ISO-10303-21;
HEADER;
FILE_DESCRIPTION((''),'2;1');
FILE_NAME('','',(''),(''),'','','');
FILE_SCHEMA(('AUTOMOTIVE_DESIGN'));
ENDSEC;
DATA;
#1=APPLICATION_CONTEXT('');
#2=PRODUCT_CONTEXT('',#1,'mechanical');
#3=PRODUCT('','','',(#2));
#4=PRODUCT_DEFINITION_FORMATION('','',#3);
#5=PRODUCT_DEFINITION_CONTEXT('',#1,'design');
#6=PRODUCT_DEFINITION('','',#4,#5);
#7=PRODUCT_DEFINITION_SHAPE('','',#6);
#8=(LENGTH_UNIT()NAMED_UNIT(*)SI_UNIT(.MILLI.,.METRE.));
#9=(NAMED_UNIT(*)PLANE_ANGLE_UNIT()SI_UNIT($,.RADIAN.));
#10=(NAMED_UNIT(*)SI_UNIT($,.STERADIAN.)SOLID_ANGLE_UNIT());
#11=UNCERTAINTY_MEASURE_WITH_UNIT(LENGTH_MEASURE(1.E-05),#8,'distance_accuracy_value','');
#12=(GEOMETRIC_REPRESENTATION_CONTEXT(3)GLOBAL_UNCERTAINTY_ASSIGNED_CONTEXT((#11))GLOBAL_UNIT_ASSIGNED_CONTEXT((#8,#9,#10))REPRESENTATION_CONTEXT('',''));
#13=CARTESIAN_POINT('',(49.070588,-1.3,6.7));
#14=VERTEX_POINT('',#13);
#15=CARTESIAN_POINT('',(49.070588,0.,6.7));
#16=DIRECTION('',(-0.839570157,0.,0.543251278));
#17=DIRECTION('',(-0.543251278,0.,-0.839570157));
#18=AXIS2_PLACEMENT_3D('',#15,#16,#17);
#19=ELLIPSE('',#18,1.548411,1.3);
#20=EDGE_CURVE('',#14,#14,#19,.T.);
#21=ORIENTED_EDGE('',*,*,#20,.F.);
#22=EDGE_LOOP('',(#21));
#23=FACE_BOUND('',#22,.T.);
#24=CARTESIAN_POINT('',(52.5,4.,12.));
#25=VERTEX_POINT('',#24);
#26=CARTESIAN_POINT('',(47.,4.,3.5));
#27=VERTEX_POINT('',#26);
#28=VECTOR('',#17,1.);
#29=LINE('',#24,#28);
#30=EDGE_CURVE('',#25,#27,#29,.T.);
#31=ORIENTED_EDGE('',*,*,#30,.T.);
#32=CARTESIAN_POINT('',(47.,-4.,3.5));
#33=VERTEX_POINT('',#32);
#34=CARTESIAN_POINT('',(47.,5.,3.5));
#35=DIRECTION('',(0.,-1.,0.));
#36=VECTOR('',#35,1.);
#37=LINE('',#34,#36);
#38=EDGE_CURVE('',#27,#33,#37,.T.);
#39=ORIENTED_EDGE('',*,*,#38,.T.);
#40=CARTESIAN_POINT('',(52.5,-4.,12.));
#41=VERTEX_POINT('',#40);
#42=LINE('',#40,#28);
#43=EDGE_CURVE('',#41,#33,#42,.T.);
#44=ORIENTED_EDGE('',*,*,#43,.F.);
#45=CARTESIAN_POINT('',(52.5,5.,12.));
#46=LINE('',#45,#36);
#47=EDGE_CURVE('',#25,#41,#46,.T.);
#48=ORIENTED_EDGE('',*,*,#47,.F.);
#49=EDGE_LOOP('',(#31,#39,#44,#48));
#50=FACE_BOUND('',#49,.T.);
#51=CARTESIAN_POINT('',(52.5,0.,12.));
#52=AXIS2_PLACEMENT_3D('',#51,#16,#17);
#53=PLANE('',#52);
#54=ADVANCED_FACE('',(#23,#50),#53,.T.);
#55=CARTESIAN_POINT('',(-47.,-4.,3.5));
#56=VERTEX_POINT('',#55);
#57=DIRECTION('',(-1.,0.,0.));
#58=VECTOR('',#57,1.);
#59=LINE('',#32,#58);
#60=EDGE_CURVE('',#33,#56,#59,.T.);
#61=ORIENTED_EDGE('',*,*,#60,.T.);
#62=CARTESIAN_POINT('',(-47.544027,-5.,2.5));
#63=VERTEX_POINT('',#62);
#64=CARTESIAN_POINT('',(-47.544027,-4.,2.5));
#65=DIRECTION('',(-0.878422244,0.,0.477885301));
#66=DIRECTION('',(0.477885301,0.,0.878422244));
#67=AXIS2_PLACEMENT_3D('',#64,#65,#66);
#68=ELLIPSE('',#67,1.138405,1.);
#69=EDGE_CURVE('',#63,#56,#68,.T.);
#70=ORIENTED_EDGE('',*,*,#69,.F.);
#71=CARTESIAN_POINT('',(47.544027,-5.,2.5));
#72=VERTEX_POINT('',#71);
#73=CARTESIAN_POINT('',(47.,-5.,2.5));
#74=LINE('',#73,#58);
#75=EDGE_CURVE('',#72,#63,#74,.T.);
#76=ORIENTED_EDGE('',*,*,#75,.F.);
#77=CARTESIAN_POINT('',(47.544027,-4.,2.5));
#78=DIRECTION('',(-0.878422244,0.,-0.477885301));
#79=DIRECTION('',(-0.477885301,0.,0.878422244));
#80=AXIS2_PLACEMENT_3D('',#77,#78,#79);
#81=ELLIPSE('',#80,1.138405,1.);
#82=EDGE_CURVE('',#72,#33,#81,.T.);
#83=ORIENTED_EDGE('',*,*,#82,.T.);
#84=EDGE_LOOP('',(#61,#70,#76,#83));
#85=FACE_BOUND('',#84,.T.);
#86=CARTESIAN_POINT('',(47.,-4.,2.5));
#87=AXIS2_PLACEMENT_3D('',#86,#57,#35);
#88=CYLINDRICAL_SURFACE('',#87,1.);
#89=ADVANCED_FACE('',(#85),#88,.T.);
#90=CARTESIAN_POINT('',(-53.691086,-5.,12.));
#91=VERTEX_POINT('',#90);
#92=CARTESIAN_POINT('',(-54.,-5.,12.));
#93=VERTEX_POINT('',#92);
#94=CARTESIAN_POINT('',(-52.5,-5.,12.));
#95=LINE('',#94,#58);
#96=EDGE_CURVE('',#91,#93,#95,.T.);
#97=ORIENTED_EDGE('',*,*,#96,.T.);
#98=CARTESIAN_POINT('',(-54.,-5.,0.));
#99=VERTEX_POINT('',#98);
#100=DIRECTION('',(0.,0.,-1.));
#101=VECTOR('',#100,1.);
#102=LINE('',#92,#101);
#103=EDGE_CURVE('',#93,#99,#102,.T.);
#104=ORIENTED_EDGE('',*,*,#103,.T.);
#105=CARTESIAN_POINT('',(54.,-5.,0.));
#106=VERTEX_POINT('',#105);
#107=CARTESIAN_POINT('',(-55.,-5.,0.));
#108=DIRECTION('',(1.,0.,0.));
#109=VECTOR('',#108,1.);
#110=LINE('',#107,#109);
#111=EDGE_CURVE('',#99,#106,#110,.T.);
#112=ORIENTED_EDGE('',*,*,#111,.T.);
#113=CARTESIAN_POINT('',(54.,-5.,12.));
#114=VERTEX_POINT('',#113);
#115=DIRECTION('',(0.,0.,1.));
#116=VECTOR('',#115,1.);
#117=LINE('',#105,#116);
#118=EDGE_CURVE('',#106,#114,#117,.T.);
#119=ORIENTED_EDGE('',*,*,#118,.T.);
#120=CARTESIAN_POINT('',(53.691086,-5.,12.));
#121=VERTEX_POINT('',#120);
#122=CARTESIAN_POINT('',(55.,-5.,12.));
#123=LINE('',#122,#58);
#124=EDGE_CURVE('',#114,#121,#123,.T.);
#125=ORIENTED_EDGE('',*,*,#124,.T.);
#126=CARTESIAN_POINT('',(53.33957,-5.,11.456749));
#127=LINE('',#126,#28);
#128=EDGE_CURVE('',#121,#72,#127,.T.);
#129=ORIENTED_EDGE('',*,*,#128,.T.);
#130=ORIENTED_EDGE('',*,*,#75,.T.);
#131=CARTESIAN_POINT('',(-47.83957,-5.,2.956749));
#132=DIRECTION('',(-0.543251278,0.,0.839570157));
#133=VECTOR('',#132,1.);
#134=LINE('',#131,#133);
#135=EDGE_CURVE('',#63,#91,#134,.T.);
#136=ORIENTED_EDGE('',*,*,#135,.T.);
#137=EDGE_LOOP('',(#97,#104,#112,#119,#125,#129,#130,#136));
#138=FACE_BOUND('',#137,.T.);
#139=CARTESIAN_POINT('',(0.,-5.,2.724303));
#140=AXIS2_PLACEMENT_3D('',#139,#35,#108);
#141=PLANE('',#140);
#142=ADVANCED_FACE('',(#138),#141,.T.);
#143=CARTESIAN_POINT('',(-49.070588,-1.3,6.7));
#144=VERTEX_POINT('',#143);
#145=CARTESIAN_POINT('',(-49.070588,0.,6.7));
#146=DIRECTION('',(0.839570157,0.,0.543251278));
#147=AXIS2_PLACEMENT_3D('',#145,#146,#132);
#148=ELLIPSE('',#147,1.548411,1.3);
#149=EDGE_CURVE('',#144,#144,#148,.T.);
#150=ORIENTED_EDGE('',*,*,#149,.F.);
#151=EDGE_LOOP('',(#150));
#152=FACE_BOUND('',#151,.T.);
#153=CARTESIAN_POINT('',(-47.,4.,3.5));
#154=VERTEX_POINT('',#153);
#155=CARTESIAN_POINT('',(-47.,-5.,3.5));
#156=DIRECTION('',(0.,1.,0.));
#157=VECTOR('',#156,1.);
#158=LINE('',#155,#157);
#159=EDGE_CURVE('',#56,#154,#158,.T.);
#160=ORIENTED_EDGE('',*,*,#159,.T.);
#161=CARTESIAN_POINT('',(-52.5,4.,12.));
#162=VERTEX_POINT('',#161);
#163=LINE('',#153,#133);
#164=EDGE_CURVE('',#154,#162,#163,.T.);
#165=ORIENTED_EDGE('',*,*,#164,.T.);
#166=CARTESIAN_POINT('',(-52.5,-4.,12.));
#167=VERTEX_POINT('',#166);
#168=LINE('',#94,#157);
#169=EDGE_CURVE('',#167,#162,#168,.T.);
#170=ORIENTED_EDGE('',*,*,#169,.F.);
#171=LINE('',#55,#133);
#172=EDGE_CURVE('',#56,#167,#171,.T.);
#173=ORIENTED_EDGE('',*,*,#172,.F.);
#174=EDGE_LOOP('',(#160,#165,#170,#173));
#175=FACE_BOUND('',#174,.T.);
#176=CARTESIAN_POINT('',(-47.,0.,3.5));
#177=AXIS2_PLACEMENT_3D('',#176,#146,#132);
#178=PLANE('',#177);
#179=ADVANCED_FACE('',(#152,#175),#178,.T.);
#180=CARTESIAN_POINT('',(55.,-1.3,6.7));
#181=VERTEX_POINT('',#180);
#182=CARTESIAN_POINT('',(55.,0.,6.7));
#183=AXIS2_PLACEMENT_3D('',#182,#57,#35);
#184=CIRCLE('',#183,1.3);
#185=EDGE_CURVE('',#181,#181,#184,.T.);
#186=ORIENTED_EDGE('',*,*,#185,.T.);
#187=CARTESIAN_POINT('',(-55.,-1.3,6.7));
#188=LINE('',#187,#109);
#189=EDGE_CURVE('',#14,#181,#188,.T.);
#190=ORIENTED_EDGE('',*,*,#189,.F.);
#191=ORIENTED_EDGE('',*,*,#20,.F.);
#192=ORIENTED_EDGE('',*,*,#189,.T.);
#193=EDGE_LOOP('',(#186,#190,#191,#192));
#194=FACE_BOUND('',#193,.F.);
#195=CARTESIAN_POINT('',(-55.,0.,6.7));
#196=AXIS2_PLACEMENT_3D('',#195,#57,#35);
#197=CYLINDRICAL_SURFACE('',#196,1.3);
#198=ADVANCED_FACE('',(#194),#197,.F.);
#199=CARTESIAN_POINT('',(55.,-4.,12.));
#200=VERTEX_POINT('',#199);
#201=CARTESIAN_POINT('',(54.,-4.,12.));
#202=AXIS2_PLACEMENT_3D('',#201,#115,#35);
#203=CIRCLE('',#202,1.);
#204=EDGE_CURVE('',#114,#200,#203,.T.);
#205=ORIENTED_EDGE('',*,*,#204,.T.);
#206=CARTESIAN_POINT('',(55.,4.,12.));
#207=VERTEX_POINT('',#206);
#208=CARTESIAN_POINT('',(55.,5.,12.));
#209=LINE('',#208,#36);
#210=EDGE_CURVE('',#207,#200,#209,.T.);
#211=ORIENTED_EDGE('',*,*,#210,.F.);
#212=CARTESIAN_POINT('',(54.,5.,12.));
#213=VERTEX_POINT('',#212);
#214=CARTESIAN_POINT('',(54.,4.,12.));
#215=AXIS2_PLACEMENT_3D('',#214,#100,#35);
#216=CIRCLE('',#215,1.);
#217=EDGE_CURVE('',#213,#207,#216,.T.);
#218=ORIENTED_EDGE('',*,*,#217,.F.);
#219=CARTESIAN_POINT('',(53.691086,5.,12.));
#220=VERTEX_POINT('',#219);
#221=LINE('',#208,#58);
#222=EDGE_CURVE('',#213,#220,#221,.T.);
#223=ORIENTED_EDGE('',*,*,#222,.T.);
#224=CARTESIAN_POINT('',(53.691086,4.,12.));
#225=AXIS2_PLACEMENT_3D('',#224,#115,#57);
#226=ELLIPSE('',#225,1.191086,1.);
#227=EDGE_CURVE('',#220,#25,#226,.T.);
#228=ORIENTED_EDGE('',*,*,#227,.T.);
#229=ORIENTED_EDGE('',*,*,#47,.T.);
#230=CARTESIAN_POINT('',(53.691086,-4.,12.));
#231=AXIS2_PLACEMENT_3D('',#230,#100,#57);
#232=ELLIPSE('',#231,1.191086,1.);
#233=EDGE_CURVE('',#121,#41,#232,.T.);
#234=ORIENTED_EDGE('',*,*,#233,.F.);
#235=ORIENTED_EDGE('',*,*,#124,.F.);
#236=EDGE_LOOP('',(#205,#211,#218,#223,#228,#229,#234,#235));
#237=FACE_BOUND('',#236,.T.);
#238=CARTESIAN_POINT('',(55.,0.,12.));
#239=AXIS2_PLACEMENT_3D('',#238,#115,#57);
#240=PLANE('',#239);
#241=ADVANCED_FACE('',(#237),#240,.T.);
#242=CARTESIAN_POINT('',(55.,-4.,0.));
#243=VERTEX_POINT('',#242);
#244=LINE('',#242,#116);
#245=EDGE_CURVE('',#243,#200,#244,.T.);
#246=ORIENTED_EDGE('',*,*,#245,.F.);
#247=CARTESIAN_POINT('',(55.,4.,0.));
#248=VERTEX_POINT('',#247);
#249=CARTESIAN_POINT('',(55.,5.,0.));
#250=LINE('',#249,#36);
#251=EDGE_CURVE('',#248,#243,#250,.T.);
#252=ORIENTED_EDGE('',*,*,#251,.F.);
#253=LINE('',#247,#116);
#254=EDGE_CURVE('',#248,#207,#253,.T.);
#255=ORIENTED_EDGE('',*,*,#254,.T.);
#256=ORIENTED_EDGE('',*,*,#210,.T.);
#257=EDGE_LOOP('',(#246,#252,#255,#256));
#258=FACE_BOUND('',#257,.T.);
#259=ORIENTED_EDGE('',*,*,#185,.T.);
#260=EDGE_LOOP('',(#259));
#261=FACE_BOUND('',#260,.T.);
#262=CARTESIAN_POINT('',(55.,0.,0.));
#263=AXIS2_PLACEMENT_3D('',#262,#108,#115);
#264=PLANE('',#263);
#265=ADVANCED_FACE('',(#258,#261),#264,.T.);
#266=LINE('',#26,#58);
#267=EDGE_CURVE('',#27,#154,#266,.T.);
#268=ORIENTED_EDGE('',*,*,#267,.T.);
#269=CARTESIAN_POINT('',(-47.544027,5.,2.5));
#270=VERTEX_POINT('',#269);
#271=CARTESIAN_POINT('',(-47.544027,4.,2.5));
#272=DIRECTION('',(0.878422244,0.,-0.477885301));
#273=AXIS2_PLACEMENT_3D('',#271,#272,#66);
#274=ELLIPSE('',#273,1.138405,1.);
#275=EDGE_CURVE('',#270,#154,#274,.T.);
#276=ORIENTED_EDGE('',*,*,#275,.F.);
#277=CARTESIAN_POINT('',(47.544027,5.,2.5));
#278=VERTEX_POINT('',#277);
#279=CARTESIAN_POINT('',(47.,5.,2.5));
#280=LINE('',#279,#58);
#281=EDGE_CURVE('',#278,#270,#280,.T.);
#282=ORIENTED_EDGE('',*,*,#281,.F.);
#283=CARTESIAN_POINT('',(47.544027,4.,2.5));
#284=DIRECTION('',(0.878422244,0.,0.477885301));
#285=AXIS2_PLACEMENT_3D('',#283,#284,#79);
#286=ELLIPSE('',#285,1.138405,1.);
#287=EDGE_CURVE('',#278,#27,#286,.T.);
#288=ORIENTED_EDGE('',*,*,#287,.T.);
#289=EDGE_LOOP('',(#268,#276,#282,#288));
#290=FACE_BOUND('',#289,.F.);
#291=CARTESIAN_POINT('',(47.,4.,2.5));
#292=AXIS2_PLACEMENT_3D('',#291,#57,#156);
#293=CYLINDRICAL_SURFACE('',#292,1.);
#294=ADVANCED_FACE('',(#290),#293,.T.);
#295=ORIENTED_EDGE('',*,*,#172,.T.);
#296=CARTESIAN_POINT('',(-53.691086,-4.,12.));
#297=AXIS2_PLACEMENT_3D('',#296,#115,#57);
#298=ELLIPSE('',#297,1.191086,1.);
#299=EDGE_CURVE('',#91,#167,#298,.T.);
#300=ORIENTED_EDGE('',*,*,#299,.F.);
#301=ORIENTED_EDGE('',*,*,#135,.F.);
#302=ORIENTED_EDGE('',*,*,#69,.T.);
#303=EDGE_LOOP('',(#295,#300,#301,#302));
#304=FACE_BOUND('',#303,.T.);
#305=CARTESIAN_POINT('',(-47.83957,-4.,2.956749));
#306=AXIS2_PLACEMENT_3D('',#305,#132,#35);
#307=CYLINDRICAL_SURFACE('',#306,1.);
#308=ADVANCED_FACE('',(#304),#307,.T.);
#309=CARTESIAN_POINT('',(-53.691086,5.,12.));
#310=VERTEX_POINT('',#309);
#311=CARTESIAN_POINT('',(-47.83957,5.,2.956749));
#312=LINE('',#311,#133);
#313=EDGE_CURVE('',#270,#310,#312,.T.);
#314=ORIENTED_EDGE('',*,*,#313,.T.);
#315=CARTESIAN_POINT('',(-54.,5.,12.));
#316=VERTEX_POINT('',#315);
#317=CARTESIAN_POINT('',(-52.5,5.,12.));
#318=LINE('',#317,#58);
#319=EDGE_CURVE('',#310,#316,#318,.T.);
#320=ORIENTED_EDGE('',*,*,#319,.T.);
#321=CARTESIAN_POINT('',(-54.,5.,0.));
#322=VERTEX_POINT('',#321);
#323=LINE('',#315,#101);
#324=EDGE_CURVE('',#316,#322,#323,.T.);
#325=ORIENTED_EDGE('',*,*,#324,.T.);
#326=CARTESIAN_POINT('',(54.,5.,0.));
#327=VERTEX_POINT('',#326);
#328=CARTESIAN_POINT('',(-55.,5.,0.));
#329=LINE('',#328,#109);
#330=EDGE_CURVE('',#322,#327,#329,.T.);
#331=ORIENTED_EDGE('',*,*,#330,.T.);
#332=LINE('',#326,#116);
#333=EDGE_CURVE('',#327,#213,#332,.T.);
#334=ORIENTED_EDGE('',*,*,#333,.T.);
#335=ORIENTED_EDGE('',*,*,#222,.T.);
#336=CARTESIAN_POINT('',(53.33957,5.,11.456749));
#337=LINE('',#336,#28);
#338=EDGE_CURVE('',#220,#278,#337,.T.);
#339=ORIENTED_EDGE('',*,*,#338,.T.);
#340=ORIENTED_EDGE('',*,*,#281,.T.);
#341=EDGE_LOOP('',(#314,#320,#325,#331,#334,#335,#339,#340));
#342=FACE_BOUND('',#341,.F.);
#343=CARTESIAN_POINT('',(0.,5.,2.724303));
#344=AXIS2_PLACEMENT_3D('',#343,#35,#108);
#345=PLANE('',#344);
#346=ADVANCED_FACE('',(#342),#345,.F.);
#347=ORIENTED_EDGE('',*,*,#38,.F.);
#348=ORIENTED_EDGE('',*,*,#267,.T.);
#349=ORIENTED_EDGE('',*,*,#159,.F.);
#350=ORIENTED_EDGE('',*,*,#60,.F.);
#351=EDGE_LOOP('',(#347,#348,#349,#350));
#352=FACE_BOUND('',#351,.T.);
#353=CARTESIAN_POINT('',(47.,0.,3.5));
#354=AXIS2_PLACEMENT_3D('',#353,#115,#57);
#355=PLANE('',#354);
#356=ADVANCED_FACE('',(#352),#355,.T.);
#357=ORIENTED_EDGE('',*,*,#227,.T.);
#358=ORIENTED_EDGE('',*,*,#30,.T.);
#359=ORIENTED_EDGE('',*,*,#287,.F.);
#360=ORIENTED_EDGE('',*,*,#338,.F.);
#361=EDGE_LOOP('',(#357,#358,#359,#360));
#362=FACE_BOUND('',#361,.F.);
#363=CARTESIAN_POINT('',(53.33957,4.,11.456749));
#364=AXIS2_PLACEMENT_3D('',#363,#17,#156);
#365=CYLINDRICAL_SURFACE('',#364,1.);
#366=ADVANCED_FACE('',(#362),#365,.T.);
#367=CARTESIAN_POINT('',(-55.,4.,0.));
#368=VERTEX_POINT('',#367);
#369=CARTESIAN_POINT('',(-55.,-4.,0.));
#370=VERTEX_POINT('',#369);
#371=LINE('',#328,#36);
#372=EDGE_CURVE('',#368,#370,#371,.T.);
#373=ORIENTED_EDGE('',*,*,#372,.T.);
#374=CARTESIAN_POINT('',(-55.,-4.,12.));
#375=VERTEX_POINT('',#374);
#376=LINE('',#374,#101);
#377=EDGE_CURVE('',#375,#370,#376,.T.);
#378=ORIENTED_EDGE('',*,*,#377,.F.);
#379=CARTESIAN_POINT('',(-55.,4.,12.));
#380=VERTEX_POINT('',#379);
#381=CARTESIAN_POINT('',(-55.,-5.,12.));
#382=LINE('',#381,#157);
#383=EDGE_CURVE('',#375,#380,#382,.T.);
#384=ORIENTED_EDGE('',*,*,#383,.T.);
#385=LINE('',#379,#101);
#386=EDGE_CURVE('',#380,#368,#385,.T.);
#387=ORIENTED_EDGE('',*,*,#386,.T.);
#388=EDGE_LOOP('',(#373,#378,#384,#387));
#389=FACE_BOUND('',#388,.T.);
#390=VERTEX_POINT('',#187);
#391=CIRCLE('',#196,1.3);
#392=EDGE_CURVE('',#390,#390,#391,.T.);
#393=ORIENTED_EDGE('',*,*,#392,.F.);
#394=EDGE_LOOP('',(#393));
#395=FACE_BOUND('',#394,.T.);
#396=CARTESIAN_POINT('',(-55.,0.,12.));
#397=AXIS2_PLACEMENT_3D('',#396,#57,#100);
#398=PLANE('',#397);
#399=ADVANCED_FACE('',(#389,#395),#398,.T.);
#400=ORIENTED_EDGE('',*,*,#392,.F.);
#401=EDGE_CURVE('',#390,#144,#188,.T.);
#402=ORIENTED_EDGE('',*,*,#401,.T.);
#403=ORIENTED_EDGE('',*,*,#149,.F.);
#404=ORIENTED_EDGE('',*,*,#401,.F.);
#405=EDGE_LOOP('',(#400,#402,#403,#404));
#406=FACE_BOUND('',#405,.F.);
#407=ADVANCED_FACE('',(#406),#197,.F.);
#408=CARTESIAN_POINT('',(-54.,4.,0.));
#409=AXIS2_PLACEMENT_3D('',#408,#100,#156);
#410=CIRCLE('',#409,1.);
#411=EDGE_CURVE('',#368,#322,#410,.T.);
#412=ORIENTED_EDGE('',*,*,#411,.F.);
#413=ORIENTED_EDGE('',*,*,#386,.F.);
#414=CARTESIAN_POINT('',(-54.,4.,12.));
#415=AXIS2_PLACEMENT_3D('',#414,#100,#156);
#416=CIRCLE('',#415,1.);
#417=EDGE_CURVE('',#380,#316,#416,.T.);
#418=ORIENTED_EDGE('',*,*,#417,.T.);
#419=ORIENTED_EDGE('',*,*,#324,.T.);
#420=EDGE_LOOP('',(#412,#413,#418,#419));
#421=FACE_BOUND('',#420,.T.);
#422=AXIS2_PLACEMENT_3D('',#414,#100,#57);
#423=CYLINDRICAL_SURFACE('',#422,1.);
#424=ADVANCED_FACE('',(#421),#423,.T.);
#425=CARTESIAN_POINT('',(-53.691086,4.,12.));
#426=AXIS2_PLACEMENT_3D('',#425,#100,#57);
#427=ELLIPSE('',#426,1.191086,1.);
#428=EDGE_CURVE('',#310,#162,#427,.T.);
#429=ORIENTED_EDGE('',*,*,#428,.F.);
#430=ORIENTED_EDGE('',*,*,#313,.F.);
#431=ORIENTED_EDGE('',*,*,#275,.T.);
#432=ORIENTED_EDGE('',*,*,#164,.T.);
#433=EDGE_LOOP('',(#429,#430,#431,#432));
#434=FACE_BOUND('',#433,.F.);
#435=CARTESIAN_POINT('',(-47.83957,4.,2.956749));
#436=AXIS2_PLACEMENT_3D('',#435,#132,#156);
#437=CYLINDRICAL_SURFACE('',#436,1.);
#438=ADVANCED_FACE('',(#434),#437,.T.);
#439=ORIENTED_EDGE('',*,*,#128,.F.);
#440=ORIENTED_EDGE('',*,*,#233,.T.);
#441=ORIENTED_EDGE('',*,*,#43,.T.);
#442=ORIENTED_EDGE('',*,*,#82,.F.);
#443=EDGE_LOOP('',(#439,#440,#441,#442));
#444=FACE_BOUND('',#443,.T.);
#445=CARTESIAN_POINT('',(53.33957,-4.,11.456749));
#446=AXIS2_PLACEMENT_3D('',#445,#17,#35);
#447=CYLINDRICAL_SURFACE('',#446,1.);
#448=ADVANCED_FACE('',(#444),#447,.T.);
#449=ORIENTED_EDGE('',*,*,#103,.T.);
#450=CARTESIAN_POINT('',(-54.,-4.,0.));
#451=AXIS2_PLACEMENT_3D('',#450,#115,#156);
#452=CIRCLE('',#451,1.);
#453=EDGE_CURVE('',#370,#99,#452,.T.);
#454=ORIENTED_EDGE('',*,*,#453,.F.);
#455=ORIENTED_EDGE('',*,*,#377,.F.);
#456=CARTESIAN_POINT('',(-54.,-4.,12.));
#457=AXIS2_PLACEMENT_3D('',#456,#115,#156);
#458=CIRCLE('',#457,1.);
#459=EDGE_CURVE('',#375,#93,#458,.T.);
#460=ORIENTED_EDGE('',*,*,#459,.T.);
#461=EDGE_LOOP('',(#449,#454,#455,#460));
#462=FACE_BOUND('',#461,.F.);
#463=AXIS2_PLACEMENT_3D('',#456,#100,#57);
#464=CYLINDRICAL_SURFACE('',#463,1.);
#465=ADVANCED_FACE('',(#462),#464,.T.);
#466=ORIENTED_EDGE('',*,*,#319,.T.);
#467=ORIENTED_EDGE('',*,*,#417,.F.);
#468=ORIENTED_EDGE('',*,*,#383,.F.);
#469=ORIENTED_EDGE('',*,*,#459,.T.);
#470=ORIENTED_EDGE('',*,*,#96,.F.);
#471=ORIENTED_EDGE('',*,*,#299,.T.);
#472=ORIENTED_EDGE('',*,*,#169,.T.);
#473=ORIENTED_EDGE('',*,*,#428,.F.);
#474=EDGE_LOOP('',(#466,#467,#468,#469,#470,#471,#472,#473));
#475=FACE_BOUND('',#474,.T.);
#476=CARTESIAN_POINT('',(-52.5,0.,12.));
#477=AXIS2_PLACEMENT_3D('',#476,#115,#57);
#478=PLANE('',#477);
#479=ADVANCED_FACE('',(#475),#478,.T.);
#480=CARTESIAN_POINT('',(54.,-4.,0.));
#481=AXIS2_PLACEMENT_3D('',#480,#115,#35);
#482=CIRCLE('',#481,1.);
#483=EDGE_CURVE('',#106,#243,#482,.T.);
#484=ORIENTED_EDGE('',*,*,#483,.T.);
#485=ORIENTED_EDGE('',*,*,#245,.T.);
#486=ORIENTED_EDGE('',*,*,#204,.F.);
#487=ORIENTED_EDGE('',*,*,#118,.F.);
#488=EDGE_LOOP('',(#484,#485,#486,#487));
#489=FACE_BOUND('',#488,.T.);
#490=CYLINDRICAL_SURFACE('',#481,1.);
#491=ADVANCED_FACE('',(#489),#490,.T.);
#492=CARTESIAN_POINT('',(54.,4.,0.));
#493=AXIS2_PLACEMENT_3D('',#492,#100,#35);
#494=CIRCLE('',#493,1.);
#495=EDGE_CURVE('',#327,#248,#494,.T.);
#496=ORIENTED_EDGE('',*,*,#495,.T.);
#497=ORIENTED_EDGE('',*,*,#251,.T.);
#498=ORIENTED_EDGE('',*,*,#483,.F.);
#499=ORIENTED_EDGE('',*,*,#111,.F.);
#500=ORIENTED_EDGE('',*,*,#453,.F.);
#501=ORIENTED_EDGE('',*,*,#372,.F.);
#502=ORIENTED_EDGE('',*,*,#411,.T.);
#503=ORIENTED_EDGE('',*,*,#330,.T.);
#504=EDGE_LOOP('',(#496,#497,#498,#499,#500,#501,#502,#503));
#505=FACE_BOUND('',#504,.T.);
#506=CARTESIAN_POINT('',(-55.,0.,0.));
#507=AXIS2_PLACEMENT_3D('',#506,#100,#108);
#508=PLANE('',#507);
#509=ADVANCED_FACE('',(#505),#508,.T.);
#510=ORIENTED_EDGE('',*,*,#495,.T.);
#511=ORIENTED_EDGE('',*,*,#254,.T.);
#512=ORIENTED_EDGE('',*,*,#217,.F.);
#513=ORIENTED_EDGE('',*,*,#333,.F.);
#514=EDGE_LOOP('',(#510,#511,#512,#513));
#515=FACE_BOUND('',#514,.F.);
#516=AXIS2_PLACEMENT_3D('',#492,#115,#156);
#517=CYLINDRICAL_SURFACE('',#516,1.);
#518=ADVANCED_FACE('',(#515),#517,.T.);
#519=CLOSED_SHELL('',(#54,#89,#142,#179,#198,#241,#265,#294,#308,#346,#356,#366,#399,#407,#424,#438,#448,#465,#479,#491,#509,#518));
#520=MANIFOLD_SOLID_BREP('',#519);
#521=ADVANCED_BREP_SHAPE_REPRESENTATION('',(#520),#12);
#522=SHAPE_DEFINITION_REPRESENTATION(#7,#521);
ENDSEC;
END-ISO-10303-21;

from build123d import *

# Parameters (mm, degrees)
F1_DEPTH = 5
F2_R     = 1.3
F3_DEPTH = 110
F4_R     = 1


with BuildPart() as f1:
    # F0 (on Front) → F1 (new body, symmetric)
    with BuildSketch(Plane.XZ):
        Polygon((-55, 12), (-55, 0), (0, 0), (55, 0), (55, 12), (52.5, 12), (47, 3.5), (0, 3.5), (-47, 3.5), (-52.5, 12), align=None)
    extrude(amount=F1_DEPTH, both=True)

    # F2 (on face) → F3 (cut, through all)
    with BuildSketch(Plane(origin=(-55, 0, 0), x_dir=(0, -1, 0), z_dir=(-1, 0, 0))):
        with Locations((0, 6.7)):
            Circle(F2_R)
    extrude(amount=-F3_DEPTH, mode=Mode.SUBTRACT)

    # F4
    f4_edges = [f1.edges().sort_by_distance(p)[0] for p in [
        (-49.75, 5, 7.75),
        (-49.75, -5, 7.75),
        (0, -5, 3.5),
        (0, 5, 3.5),
        (49.75, 5, 7.75),
        (49.75, -5, 7.75),
        (-55, -5, 6),
        (-55, 5, 6),
        (55, -5, 6),
        (55, 5, 6),
    ]]
    fillet(f4_edges, radius=F4_R)


solid = f1.part
